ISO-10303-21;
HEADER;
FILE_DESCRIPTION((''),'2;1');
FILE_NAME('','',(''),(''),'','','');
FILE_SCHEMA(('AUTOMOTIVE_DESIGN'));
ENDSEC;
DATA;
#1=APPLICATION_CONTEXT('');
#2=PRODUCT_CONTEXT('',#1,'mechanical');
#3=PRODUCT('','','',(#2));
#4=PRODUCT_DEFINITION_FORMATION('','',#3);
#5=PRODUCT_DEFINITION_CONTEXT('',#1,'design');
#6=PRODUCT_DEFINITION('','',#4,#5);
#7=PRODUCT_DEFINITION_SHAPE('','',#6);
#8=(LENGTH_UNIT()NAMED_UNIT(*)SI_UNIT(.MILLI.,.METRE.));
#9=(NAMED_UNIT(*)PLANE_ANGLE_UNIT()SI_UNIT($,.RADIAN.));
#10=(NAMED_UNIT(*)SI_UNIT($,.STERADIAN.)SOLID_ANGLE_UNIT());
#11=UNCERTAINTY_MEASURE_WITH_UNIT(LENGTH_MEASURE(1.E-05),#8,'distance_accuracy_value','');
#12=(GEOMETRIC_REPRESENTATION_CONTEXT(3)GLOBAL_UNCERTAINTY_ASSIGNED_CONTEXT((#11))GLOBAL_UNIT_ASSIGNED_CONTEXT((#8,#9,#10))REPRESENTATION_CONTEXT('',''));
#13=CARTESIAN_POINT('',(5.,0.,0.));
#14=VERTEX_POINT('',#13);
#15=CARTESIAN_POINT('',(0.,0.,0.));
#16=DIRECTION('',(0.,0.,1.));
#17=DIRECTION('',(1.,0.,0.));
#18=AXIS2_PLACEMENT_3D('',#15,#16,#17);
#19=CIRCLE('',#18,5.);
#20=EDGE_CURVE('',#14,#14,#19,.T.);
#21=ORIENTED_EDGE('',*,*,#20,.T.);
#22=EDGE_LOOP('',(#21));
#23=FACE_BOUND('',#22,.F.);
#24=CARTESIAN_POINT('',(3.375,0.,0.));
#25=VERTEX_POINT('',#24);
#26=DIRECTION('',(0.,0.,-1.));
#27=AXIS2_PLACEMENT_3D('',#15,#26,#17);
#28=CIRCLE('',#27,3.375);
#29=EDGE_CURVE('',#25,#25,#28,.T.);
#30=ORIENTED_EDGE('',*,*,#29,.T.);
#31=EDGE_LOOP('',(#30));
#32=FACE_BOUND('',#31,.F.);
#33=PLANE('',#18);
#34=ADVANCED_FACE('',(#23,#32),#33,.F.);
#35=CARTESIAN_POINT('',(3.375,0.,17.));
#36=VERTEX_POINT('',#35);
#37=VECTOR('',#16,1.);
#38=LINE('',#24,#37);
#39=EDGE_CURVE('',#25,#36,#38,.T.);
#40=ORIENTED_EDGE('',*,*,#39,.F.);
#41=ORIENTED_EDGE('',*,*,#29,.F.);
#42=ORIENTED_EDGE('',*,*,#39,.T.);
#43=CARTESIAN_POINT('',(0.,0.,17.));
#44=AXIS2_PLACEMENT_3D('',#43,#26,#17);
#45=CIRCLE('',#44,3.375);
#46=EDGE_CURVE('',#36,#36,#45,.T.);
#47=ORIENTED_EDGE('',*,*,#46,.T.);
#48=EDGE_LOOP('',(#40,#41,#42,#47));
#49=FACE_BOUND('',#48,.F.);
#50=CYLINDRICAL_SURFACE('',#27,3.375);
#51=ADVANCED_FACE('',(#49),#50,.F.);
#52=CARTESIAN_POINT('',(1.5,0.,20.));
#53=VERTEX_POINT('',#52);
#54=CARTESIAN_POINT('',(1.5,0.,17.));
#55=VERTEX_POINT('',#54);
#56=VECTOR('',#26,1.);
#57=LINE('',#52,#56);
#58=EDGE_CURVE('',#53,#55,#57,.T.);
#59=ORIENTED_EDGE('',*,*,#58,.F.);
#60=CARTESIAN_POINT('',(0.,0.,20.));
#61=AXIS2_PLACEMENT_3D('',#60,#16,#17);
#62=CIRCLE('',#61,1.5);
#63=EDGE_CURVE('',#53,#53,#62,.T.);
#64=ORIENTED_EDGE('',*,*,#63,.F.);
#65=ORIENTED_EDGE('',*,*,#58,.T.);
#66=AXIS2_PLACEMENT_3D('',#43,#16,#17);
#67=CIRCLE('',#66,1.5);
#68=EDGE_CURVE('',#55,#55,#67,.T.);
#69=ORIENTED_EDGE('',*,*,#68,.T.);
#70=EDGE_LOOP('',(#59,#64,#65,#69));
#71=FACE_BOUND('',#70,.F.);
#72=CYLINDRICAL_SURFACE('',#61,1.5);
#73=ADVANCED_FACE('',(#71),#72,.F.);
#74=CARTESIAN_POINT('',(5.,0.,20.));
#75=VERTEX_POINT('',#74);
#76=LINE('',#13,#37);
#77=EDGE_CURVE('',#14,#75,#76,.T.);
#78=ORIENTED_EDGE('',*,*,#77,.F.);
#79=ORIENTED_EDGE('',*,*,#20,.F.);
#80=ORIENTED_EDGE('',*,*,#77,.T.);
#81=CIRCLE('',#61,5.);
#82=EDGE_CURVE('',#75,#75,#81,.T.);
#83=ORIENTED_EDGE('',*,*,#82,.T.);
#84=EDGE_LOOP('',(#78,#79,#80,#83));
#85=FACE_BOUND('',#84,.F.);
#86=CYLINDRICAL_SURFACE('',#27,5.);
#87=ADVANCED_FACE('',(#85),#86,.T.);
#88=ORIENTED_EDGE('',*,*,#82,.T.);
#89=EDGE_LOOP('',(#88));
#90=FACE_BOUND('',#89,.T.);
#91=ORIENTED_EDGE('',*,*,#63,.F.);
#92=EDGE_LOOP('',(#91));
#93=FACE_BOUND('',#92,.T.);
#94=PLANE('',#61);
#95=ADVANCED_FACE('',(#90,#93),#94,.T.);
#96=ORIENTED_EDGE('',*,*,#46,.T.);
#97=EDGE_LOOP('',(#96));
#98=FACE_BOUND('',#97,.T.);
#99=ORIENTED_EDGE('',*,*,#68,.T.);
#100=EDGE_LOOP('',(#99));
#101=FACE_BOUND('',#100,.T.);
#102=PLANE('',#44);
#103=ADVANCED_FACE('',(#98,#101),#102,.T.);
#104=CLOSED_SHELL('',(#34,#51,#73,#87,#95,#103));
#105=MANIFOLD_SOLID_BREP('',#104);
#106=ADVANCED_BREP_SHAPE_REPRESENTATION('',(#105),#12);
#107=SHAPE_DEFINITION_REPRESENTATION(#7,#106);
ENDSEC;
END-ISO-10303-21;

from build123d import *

# Parameters (mm, degrees)
SKETCH_R        = 5
PAD_DEPTH       = 20
SKETCH001_R     = 3.375
POCKET_DEPTH    = 17
SKETCH002_R     = 1.5
POCKET001_DEPTH = 20.001


with BuildPart() as part:
    # Sketch → Pad (new body)
    with BuildSketch(Plane.XY):
        Circle(SKETCH_R)
    extrude(amount=PAD_DEPTH)

    # Sketch001 → Pocket (cut)
    with BuildSketch(Plane(origin=(0, 0, 0), x_dir=(1, 0, 0), z_dir=(0, 0, -1))):
        Circle(SKETCH001_R)
    extrude(amount=-POCKET_DEPTH, mode=Mode.SUBTRACT)

    # Sketch002 → Pocket001 (cut, through all)
    with BuildSketch(Plane.XY.offset(20)):
        Circle(SKETCH002_R)
    extrude(amount=-POCKET001_DEPTH, mode=Mode.SUBTRACT)


solid = part.part
